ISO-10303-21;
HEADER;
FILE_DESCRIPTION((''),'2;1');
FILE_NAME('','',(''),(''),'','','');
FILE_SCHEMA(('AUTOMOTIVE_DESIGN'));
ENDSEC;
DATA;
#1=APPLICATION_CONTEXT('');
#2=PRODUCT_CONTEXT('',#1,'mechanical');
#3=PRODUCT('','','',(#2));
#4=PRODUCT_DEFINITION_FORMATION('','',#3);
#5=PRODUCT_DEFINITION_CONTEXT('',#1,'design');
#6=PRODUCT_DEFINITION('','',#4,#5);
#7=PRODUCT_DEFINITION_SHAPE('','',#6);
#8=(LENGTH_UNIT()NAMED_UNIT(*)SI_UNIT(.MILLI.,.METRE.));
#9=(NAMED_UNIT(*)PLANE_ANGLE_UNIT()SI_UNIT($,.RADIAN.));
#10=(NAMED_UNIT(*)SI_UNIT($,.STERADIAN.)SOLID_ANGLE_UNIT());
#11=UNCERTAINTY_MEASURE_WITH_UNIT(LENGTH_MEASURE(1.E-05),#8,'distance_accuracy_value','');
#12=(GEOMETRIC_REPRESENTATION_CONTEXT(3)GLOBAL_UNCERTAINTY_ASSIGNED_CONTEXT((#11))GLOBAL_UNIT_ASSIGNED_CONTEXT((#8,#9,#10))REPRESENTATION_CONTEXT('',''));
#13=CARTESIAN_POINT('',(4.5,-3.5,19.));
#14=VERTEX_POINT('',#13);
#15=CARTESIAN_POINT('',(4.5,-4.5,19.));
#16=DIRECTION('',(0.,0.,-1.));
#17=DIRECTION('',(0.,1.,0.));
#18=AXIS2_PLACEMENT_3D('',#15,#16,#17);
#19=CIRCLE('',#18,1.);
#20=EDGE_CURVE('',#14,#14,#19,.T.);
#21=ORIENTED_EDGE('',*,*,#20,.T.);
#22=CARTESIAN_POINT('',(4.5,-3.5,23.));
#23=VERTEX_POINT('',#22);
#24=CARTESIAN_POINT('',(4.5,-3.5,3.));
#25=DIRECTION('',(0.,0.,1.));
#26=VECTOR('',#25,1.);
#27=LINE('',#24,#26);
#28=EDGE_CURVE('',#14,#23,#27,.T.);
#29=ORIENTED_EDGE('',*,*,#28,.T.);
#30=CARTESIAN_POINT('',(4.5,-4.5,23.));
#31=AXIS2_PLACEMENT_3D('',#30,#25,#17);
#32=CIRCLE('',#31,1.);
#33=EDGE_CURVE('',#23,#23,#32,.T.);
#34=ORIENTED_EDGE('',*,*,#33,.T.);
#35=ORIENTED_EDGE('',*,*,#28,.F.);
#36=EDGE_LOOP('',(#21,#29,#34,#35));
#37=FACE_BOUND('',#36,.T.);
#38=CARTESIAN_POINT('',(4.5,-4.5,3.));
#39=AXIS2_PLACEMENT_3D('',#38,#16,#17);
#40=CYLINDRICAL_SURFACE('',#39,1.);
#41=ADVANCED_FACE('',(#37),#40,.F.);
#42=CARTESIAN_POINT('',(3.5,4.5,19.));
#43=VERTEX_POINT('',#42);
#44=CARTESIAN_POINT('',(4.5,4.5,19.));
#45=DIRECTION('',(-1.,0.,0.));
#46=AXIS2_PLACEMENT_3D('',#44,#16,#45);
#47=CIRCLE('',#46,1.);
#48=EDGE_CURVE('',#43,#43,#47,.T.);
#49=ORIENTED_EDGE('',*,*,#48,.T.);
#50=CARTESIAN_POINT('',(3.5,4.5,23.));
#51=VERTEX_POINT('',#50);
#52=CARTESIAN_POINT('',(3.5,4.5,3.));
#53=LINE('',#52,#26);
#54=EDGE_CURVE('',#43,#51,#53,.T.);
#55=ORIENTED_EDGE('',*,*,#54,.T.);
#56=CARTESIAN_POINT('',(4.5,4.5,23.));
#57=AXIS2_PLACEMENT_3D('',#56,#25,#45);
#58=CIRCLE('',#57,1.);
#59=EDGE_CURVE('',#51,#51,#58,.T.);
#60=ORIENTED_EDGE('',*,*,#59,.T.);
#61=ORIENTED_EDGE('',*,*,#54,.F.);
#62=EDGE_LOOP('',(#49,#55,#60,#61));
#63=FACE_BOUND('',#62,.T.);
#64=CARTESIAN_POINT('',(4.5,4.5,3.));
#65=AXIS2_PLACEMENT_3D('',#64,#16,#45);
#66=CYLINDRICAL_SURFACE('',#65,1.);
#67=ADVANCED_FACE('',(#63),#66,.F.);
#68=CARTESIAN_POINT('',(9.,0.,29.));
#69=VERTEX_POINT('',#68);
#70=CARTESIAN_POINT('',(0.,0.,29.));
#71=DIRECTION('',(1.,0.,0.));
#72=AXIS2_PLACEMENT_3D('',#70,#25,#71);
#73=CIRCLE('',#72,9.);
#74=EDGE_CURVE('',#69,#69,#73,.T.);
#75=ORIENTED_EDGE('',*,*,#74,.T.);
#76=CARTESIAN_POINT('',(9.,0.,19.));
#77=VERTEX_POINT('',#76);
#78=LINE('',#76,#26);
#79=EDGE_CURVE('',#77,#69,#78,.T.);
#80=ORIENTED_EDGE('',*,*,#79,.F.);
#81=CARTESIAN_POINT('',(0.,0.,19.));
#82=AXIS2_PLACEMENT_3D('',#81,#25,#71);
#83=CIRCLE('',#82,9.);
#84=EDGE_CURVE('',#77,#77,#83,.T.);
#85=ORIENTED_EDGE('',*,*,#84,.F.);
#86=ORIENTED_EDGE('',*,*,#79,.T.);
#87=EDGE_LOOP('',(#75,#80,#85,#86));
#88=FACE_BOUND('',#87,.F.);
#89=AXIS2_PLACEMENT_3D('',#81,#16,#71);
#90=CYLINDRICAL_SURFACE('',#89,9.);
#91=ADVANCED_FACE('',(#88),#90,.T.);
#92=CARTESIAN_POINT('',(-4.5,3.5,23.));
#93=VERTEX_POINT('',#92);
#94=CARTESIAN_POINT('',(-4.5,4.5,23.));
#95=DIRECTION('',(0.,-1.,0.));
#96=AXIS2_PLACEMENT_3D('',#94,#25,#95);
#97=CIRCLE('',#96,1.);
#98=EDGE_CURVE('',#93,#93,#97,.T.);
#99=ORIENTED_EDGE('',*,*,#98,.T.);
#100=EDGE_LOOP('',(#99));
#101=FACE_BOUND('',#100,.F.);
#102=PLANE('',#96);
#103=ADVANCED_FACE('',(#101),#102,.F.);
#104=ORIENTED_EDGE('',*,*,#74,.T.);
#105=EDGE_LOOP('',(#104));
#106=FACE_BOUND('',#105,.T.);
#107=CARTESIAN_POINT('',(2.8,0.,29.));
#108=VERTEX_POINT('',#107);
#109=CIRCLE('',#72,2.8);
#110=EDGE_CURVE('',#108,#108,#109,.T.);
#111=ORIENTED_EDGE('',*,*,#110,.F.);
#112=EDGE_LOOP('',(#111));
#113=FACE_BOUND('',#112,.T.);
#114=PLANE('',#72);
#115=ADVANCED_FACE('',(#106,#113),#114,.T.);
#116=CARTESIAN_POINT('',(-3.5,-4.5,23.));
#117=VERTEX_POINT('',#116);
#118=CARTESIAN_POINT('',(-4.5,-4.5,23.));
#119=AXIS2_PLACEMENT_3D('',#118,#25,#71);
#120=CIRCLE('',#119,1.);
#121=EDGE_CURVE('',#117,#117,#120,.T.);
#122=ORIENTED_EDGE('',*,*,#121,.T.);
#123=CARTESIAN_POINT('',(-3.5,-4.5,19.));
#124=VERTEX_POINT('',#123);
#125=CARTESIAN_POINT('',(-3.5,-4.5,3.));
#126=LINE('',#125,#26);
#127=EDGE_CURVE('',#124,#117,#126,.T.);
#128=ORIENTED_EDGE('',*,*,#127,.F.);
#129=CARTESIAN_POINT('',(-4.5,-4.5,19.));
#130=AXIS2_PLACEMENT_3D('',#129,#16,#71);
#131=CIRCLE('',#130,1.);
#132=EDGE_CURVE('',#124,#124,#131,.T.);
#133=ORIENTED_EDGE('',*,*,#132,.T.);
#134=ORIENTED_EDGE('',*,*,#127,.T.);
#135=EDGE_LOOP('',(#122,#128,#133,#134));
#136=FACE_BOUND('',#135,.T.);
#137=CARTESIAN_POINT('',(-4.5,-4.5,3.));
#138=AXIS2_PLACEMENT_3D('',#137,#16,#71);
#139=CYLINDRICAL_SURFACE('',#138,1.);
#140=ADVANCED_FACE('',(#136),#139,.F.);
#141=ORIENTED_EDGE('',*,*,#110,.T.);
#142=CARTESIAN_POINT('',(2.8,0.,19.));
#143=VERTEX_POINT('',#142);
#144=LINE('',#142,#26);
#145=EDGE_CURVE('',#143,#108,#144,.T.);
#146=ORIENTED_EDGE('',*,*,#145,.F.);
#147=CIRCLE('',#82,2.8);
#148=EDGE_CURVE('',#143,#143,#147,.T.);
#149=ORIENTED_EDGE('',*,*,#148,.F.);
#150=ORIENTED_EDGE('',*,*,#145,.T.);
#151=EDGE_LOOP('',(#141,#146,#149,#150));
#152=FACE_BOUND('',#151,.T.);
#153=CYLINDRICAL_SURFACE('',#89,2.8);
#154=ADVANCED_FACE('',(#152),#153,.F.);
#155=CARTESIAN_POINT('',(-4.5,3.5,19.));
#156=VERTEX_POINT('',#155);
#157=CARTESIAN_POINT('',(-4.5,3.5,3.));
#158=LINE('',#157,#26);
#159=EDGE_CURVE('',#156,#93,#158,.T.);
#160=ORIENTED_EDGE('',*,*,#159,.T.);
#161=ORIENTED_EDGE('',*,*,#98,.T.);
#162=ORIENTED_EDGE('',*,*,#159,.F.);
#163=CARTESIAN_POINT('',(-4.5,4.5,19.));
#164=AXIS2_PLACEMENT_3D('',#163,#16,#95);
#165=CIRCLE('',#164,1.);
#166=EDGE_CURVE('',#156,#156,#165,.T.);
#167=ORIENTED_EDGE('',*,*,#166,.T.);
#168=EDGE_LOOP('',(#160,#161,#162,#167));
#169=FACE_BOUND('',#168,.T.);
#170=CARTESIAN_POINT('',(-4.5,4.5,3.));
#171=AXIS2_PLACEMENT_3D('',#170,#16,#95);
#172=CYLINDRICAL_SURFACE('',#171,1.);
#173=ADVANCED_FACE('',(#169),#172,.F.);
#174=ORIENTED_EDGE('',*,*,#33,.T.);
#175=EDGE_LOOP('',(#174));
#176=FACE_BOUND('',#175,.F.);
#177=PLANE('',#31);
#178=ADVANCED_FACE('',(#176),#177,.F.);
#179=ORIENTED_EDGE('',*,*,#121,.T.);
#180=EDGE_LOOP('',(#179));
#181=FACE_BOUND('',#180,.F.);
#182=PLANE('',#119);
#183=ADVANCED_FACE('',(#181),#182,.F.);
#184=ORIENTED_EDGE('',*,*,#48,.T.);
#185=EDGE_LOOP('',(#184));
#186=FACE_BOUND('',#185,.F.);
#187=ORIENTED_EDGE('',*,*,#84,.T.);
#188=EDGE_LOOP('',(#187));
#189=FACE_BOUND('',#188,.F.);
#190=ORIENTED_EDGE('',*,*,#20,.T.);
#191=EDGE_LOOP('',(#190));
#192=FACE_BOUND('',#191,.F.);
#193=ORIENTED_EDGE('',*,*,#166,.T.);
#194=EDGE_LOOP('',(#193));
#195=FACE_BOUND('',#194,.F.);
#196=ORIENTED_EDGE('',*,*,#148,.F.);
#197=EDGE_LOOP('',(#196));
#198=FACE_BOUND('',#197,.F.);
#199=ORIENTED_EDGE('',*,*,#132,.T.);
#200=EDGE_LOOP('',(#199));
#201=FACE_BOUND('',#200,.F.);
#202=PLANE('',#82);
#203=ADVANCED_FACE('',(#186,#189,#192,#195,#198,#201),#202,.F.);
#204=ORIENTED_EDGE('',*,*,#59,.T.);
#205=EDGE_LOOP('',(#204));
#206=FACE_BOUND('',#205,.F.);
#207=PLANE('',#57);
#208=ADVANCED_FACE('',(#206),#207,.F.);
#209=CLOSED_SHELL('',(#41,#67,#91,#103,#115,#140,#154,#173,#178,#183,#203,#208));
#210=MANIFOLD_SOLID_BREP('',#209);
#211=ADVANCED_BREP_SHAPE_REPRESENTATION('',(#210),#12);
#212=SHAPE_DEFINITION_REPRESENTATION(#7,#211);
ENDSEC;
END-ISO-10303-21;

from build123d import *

# Parameters (mm, degrees)
CYLINDER980_R     = 1
CYLINDER980_DEPTH = 20
CYLINDER977_R     = 1
CYLINDER977_DEPTH = 20
CYLINDER976_R     = 1
CYLINDER976_DEPTH = 20
CYLINDER979_R     = 1
CYLINDER979_DEPTH = 20
TUBE092_R         = 9
TUBE092_R_2       = 2.8
TUBE092_DEPTH     = 10


with BuildPart() as v_lec980:
    # Cylinder980 → Cylinder980 (new body)
    with BuildSketch(Plane(origin=(4.5, -4.5, -88), x_dir=(0, 1, 0), z_dir=(0, 0, 1))):
        Circle(CYLINDER980_R)
    extrude(amount=CYLINDER980_DEPTH)


with BuildPart() as v_lec977:
    # Cylinder977 → Cylinder977 (new body)
    with BuildSketch(Plane(origin=(4.5, 4.5, -88), x_dir=(-1, 0, 0), z_dir=(0, 0, 1))):
        Circle(CYLINDER977_R)
    extrude(amount=CYLINDER977_DEPTH)


with BuildPart() as v_lec976:
    # Cylinder976 → Cylinder976 (new body)
    with BuildSketch(Plane(origin=(-4.5, 4.5, -88), x_dir=(0, -1, 0), z_dir=(0, 0, 1))):
        Circle(CYLINDER976_R)
    extrude(amount=CYLINDER976_DEPTH)


with BuildPart() as compound809:
    # Cylinder979 → Cylinder979 (new body)
    with BuildSketch(Plane(origin=(-4.5, -4.5, -88), x_dir=(1, 0, 0), z_dir=(0, 0, 1))):
        Circle(CYLINDER979_R)
    extrude(amount=CYLINDER979_DEPTH)

    # Compound809: union Válec980, Válec977, Válec976
    add(v_lec980.part)
    add(v_lec977.part)
    add(v_lec976.part)


with BuildPart() as compound809_1:
    # Compound809 placement: moved
    add(compound809.part.moved(Location((0, 0, 91))))


with BuildPart() as cut413:
    # Tube092 → Tube092 (new body)
    with BuildSketch(Plane.XY.offset(19)):
        Circle(TUBE092_R)
        Circle(TUBE092_R_2, mode=Mode.SUBTRACT)
    extrude(amount=TUBE092_DEPTH)

    # Cut413: cut Compound809
    add(compound809_1.part, mode=Mode.SUBTRACT)


solid = cut413.part
